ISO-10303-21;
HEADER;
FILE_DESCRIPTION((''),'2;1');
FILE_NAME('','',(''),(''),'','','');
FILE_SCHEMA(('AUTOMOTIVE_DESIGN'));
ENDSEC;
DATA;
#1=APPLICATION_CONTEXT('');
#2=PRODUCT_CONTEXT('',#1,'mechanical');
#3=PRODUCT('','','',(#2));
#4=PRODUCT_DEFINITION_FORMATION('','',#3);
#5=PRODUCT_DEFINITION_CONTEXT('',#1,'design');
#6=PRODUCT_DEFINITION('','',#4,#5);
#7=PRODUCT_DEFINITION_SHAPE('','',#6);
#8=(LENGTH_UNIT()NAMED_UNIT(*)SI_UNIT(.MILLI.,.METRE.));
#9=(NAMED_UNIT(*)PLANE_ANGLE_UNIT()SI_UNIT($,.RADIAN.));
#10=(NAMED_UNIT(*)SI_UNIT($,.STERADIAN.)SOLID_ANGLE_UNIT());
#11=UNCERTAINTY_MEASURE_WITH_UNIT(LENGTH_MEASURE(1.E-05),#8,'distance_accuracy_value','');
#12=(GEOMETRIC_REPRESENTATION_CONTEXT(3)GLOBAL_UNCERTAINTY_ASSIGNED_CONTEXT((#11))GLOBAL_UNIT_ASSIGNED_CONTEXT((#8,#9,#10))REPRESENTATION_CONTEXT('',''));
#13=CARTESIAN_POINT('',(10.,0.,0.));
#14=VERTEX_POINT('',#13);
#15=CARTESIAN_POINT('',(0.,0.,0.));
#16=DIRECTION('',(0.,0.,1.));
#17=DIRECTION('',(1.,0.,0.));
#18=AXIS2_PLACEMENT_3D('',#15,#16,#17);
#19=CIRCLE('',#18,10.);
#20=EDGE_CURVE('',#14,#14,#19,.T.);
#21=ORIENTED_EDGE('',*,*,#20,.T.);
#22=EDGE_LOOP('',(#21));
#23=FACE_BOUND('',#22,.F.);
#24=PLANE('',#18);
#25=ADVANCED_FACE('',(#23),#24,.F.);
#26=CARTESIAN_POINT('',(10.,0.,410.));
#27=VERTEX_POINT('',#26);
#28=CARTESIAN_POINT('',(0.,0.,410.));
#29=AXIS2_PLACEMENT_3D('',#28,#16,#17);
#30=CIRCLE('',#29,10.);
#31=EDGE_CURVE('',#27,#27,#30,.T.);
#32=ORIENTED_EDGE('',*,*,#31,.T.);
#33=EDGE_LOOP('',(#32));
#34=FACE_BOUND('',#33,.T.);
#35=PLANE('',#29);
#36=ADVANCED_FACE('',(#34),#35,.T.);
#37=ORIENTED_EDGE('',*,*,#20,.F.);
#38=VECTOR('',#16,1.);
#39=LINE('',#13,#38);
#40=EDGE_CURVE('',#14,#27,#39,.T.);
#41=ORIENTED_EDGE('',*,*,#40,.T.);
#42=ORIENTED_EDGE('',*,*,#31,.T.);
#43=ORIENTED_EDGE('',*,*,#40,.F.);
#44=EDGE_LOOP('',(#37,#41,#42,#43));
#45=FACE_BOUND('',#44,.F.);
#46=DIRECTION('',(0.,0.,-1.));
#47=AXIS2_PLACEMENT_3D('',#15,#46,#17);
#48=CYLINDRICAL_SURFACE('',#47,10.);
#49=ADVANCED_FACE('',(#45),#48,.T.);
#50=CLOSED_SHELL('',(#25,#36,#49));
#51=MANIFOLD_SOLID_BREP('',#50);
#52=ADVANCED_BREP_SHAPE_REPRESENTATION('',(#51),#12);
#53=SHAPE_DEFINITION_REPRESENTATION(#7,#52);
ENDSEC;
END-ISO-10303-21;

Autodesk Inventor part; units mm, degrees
ref_plane "YZ Plane" through (0, 0, 0) normal (1, 0, 0) x (0, 1, 0)
ref_plane "XZ Plane" through (0, 0, 0) normal (0, 1, 0) x (-1, 0, 0)
ref_plane "XY Plane" through (0, 0, 0) normal (0, 0, 1) x (1, 0, 0)
sketch "Boceto1" plane through (0, 0, 0) normal (0, 0, 1) x (1, 0, 0)
  circle A0 centre (0, 0) radius 10
  dimension "d0" = 20
extrude "Extrusión1" add sketch "Boceto1" along normal blind 410
thread "Rosca1" size "M20x2.5" class "6g" standard "ANSI Metric M Profile" full length
properties part number "husillo"
